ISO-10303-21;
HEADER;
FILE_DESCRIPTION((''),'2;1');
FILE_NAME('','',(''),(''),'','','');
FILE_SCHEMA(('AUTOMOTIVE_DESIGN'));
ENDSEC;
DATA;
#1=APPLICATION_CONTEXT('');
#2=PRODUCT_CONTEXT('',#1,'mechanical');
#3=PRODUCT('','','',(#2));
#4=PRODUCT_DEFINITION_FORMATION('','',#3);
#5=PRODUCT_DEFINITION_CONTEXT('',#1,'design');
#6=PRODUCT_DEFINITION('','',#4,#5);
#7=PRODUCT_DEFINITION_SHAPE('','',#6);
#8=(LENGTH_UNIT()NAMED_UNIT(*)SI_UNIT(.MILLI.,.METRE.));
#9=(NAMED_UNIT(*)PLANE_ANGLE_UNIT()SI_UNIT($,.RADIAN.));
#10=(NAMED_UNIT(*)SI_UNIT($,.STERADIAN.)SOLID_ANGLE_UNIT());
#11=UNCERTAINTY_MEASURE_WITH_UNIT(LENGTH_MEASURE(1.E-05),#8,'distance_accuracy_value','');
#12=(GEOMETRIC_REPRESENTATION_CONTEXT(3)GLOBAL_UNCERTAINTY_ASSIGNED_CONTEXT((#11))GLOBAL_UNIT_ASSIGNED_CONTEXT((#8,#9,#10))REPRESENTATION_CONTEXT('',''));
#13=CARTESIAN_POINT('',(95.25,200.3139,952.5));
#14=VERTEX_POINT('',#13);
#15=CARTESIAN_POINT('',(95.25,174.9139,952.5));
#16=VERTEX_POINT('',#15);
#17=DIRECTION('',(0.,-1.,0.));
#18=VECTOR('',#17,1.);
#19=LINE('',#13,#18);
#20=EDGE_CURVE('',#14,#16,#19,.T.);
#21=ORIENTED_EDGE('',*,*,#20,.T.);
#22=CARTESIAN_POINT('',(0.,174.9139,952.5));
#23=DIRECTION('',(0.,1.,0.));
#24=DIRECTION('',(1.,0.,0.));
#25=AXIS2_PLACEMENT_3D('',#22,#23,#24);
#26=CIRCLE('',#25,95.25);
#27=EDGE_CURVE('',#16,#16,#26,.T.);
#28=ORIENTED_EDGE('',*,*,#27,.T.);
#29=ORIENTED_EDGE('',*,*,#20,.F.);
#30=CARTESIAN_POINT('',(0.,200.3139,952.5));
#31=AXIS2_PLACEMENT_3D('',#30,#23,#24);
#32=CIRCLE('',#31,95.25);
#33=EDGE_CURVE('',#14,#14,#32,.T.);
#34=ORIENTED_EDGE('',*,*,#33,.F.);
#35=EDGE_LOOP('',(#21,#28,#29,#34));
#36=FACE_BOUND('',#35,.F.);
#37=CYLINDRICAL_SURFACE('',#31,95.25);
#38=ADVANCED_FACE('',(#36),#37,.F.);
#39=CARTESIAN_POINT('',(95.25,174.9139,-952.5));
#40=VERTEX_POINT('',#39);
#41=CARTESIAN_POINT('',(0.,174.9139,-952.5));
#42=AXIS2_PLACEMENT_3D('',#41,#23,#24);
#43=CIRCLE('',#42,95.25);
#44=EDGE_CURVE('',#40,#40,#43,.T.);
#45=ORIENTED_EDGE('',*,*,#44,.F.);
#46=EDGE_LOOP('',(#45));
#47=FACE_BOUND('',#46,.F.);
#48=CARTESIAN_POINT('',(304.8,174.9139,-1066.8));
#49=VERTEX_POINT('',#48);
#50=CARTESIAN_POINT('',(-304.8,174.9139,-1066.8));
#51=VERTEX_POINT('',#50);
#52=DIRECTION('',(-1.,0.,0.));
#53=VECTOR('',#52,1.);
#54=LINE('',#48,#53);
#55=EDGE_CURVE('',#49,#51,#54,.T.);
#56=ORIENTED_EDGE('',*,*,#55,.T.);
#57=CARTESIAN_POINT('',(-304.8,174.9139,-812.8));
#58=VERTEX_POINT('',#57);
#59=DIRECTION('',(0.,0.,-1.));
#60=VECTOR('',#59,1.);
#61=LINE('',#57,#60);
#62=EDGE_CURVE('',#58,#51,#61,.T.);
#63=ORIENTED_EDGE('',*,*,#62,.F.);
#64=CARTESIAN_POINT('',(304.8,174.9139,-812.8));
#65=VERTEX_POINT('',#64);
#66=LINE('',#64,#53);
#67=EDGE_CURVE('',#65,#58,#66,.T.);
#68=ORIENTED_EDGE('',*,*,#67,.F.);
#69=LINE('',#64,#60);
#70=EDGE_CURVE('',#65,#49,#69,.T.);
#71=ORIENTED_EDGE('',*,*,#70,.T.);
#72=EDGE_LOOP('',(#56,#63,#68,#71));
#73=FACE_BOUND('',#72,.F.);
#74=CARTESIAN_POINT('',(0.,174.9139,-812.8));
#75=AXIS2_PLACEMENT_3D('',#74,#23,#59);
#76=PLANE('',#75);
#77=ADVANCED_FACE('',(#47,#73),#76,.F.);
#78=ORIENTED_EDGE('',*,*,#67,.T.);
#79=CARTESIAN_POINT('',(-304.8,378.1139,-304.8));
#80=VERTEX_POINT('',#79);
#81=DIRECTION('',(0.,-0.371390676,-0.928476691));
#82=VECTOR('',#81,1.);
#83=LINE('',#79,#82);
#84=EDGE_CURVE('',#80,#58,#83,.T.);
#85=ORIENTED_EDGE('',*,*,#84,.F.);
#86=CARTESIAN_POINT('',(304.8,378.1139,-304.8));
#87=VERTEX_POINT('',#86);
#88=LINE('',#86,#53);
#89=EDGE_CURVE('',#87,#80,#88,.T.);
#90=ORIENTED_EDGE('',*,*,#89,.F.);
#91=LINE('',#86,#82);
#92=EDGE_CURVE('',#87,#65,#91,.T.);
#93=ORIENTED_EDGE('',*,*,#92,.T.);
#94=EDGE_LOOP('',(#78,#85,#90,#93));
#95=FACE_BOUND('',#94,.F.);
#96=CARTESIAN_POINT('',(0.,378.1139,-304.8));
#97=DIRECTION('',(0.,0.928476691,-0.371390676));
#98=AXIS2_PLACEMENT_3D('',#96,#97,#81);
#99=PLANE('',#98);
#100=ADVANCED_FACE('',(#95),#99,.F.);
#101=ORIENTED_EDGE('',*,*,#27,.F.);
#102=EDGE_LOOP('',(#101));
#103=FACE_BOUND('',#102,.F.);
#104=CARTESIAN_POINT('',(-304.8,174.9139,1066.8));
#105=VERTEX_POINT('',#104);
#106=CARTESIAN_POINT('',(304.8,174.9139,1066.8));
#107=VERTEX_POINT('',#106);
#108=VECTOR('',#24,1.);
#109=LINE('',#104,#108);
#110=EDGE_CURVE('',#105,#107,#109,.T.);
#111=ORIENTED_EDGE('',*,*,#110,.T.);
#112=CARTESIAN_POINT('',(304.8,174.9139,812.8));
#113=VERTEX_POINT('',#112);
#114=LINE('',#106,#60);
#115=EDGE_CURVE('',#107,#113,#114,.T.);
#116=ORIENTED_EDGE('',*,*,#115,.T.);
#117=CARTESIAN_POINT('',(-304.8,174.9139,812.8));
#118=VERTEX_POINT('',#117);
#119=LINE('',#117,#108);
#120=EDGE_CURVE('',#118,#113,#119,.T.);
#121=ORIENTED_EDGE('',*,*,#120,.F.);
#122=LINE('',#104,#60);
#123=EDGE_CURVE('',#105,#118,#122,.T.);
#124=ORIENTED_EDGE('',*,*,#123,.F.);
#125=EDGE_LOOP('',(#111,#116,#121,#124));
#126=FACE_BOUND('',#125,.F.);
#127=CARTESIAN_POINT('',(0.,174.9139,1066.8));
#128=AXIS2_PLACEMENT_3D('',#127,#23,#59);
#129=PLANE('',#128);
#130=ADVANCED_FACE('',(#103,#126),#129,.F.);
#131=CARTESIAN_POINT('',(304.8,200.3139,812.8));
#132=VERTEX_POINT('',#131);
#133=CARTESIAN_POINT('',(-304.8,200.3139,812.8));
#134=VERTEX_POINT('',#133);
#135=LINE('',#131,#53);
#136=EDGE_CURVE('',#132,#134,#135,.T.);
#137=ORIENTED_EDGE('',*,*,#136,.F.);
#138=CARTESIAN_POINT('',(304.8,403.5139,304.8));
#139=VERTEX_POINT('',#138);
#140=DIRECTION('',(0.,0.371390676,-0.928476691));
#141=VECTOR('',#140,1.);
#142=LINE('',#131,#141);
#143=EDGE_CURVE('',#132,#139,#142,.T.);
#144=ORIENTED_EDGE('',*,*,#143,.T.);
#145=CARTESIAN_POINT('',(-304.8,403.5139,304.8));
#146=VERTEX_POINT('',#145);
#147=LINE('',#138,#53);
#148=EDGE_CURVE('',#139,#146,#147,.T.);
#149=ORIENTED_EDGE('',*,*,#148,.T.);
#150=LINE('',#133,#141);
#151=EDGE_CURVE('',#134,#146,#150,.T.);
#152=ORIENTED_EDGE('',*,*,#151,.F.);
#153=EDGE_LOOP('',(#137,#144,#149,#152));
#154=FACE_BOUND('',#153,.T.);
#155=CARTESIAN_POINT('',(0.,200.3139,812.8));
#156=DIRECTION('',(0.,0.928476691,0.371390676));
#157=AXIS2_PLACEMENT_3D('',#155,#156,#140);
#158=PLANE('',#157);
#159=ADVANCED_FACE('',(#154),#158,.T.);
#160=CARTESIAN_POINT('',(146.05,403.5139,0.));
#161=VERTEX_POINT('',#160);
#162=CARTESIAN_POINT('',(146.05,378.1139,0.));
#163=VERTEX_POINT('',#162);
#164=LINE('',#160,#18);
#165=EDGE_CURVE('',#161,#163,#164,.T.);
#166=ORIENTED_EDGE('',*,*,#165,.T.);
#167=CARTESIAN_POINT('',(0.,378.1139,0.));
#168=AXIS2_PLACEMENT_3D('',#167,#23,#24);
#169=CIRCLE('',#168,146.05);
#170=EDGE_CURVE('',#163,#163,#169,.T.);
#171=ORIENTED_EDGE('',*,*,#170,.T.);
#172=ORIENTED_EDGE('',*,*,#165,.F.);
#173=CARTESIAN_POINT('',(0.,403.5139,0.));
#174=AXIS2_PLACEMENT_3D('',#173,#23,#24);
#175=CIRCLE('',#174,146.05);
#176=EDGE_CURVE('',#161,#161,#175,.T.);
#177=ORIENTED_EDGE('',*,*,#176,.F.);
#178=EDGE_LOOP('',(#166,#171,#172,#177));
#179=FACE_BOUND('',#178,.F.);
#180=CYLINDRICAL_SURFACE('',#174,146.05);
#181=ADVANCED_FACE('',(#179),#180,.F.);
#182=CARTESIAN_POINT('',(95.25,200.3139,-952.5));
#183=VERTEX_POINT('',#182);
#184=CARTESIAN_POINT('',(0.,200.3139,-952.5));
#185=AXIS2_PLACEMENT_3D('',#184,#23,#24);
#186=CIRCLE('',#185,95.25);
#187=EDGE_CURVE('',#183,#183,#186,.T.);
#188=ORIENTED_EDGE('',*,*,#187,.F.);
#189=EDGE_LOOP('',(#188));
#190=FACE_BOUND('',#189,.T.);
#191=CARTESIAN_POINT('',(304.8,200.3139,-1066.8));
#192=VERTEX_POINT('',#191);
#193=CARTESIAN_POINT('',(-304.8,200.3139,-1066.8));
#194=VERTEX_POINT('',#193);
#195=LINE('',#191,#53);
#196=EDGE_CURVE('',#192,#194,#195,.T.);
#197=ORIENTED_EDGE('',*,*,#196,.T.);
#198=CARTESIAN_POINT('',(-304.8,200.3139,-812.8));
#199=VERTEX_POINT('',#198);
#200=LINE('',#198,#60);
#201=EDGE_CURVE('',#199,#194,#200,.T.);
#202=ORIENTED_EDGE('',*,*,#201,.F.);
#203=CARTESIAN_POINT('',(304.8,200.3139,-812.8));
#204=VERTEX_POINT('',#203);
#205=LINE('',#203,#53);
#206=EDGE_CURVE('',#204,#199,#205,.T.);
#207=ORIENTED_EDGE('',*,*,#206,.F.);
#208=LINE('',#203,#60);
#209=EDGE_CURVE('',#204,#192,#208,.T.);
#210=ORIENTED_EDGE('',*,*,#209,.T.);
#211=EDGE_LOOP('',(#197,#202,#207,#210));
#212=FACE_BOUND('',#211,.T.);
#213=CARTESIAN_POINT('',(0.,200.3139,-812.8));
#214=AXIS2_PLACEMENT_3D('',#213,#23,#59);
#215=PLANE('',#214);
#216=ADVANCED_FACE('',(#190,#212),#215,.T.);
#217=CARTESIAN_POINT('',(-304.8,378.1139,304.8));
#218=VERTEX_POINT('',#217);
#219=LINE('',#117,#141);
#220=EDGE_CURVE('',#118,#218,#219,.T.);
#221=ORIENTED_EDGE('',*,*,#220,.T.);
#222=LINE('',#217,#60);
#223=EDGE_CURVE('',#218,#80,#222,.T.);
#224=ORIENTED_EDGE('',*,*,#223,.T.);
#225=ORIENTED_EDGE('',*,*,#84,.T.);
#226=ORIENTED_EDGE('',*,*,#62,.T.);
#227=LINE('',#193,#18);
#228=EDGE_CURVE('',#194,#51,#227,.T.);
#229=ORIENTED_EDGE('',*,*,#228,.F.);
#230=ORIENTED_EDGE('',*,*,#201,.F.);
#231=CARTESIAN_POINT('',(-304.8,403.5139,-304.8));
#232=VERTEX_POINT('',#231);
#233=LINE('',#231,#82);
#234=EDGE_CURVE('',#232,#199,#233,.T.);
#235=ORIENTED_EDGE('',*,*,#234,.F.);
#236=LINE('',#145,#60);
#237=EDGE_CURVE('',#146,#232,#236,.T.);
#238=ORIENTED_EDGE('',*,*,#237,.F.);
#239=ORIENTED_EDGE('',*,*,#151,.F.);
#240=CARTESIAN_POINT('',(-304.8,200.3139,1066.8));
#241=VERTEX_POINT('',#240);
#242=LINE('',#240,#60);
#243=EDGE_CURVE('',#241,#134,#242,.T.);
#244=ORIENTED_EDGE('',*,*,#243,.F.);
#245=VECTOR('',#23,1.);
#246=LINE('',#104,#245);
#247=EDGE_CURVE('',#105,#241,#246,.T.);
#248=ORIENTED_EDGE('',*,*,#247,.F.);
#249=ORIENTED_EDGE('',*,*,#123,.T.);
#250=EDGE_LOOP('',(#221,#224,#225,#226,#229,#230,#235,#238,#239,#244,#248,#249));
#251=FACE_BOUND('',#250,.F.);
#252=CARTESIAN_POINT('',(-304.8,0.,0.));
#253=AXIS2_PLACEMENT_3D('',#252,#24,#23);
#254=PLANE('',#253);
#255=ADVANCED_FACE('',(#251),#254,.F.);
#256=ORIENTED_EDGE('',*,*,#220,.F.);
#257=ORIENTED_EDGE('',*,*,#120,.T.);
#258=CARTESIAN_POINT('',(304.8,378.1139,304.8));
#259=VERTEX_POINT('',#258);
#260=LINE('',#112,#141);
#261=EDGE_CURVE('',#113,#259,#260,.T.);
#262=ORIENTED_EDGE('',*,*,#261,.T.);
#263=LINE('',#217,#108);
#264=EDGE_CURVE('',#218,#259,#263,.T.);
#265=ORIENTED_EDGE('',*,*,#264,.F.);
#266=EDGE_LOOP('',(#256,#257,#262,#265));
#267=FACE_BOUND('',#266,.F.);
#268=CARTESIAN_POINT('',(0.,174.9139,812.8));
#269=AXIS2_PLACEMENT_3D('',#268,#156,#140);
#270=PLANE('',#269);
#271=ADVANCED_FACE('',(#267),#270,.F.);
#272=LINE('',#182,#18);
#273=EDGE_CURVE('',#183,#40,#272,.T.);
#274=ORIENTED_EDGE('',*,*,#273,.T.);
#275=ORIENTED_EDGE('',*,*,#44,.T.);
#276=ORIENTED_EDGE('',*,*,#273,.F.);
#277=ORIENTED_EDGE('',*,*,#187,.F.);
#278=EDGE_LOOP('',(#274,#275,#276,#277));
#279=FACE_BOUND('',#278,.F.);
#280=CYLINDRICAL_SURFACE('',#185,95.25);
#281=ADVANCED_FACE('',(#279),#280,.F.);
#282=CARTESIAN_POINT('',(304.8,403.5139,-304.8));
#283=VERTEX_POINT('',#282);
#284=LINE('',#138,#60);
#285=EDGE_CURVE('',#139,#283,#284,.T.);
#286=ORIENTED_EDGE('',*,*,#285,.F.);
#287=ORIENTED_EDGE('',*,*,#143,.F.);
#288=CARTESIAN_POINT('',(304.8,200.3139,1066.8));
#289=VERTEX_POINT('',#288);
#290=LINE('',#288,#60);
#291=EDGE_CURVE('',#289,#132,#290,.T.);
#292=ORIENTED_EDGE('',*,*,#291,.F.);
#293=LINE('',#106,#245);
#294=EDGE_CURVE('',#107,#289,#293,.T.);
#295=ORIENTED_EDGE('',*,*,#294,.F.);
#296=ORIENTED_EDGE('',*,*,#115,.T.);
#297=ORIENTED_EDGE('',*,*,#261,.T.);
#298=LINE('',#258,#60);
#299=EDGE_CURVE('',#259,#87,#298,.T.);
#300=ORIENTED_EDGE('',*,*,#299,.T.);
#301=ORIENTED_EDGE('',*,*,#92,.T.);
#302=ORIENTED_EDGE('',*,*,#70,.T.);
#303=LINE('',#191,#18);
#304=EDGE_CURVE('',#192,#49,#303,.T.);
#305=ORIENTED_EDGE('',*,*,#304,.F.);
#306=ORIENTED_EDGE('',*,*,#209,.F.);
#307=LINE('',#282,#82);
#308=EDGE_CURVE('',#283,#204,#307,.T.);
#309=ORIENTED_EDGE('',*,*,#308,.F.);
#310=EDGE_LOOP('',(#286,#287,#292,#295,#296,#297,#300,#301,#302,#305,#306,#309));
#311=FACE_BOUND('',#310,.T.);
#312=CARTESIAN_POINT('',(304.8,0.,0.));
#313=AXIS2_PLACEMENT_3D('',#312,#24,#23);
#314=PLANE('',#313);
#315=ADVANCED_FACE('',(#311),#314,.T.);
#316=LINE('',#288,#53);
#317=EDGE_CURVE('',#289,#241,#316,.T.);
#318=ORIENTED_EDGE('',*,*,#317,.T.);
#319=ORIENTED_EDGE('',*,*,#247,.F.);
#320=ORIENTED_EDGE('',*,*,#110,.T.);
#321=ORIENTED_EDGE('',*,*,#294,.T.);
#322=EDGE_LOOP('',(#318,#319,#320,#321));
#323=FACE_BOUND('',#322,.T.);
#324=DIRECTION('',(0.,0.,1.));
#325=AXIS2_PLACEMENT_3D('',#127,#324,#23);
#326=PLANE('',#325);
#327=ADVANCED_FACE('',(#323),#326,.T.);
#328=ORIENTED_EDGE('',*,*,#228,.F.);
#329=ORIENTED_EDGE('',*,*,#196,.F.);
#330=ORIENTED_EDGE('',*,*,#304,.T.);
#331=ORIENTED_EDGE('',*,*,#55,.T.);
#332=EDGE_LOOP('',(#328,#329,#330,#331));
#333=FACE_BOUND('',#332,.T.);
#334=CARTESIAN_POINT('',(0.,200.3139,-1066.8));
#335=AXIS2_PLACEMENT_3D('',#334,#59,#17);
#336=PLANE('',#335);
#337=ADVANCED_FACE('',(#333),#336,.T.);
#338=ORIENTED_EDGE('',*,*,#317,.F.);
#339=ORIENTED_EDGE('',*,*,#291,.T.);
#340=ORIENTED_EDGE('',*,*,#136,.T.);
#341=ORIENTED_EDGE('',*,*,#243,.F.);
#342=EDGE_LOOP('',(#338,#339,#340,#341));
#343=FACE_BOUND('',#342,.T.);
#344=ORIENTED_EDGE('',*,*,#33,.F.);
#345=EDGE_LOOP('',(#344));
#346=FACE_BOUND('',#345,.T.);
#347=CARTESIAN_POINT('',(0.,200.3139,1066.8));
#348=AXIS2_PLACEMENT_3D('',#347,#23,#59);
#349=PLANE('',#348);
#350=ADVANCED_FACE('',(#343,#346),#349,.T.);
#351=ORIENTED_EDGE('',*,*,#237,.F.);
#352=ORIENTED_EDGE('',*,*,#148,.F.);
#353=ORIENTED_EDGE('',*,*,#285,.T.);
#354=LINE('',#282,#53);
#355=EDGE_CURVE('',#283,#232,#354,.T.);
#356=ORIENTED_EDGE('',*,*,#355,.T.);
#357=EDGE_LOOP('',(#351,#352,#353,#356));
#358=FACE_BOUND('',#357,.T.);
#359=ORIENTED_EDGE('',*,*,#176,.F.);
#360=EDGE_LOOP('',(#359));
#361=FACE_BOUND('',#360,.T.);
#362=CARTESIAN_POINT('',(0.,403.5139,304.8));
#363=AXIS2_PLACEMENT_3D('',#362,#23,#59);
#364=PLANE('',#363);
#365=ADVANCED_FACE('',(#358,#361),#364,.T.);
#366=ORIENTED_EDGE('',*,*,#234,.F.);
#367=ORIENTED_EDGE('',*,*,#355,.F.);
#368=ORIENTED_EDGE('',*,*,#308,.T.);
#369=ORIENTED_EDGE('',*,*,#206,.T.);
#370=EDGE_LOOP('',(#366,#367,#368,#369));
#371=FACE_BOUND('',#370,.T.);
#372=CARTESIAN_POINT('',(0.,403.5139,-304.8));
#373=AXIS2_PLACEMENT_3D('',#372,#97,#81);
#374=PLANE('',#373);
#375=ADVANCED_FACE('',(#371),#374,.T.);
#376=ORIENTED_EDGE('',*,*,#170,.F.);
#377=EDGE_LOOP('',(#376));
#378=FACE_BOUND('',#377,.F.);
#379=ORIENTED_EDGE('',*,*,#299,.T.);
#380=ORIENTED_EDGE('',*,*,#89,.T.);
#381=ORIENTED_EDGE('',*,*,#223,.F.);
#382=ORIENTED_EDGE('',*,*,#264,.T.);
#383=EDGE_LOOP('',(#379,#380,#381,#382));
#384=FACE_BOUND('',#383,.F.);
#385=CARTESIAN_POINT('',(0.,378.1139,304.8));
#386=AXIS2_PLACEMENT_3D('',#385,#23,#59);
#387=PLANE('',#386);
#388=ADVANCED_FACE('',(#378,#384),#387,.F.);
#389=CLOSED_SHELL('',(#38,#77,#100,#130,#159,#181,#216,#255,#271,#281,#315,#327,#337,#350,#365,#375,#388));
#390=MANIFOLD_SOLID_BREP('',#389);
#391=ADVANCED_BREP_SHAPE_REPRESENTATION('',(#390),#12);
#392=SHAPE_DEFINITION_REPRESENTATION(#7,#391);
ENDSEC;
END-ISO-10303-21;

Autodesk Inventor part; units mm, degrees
ref_plane "YZ Plane" through (0, 0, 0) normal (1, 0, 0) x (0, 1, 0)
ref_plane "XZ Plane" through (0, 0, 0) normal (0, 1, 0) x (-1, 0, 0)
ref_plane "XY Plane" through (0, 0, 0) normal (0, 0, 1) x (1, 0, 0)
sketch "Sketch1" plane through (0, 0, 0) normal (1, 0, 0) x (0, 1, 0)
  line L0 (174.9139, 1066.8) -> (200.3139, 1066.8)
  line L1 (200.3139, 1066.8) -> (200.3139, 812.8)
  line L2 (200.3139, 812.8) -> (403.5139, 304.8)
  line L3 (403.5139, 304.8) -> (403.5139, -304.8)
  line L4 (403.5139, -304.8) -> (200.3139, -812.8)
  line L5 (200.3139, -812.8) -> (200.3139, -1066.8)
  line L6 (174.9139, 1066.8) -> (174.9139, 812.8)
  line L7 (174.9139, 812.8) -> (378.1139, 304.8)
  line L8 (378.1139, 304.8) -> (378.1139, -304.8)
  line L9 (174.9139, -935.25) -> (174.9139, 993.0491) construction
  line L10 (174.9139, 681.698) -> (174.9139, -514.0179) construction
  line L11 (200.3139, -1066.8) -> (174.9139, -1066.8)
  line L12 (378.1139, -304.8) -> (174.9139, -812.8)
  line L13 (174.9139, -812.8) -> (174.9139, -1066.8)
  point P0 (0, 0)
  dimension "d0" = 254
  dimension "d1" = 508
  dimension "d2" = 609.6
  dimension "d3" = 508
  dimension "d4" = 254
  dimension "d6" = 304.8
  dimension "d8" = 25.4
  dimension "d10" = 203.2
  dimension "d26" = 25.4
extrude "Extrusion1" add sketch "Sketch1" along normal mid plane 609.6
sketch "Sketch2" plane through (-304.8, 200.3139, -812.8) normal (0, 1, 0) x (1, 0, 0)
  circle A0 centre (304.8, 139.7) radius 95.25
  line L0 (609.6, 254) -> (0, 254) projected
  line L1 (0, 0) -> (0, 254) projected
  circle A1 centre (304.8, -1765.3) radius 95.25
  line L2 (609.6, -1879.6) -> (0, -1879.6) projected
  line L3 (609.6, -1625.6) -> (609.6, -1879.6) projected
  point P0 (304.8, -812.8)
  dimension "d13" = 190.5
  dimension "d14" = 114.3
  dimension "d15" = 304.8
  dimension "d16" = 190.5
  dimension "d17" = 114.3
  dimension "d18" = 304.8
extrude "Extrusion2" cut sketch "Sketch2" against normal up to next
sketch "Sketch3" plane through (-304.8, 403.5139, 304.8) normal (0, 1, 0) x (1, 0, 0)
  circle A0 centre (304.8, 304.8) radius 146.05
  line L0 (0, 609.6) -> (0, 0) projected
  line L1 (609.6, 609.6) -> (0, 609.6) projected
  point P0 (304.8, 304.8)
  dimension "d21" = 292.1
  dimension "d22" = 304.8
  dimension "d23" = 304.8
extrude "Extrusion3" cut sketch "Sketch3" against normal up to next
properties part number "Up_cam_support"
